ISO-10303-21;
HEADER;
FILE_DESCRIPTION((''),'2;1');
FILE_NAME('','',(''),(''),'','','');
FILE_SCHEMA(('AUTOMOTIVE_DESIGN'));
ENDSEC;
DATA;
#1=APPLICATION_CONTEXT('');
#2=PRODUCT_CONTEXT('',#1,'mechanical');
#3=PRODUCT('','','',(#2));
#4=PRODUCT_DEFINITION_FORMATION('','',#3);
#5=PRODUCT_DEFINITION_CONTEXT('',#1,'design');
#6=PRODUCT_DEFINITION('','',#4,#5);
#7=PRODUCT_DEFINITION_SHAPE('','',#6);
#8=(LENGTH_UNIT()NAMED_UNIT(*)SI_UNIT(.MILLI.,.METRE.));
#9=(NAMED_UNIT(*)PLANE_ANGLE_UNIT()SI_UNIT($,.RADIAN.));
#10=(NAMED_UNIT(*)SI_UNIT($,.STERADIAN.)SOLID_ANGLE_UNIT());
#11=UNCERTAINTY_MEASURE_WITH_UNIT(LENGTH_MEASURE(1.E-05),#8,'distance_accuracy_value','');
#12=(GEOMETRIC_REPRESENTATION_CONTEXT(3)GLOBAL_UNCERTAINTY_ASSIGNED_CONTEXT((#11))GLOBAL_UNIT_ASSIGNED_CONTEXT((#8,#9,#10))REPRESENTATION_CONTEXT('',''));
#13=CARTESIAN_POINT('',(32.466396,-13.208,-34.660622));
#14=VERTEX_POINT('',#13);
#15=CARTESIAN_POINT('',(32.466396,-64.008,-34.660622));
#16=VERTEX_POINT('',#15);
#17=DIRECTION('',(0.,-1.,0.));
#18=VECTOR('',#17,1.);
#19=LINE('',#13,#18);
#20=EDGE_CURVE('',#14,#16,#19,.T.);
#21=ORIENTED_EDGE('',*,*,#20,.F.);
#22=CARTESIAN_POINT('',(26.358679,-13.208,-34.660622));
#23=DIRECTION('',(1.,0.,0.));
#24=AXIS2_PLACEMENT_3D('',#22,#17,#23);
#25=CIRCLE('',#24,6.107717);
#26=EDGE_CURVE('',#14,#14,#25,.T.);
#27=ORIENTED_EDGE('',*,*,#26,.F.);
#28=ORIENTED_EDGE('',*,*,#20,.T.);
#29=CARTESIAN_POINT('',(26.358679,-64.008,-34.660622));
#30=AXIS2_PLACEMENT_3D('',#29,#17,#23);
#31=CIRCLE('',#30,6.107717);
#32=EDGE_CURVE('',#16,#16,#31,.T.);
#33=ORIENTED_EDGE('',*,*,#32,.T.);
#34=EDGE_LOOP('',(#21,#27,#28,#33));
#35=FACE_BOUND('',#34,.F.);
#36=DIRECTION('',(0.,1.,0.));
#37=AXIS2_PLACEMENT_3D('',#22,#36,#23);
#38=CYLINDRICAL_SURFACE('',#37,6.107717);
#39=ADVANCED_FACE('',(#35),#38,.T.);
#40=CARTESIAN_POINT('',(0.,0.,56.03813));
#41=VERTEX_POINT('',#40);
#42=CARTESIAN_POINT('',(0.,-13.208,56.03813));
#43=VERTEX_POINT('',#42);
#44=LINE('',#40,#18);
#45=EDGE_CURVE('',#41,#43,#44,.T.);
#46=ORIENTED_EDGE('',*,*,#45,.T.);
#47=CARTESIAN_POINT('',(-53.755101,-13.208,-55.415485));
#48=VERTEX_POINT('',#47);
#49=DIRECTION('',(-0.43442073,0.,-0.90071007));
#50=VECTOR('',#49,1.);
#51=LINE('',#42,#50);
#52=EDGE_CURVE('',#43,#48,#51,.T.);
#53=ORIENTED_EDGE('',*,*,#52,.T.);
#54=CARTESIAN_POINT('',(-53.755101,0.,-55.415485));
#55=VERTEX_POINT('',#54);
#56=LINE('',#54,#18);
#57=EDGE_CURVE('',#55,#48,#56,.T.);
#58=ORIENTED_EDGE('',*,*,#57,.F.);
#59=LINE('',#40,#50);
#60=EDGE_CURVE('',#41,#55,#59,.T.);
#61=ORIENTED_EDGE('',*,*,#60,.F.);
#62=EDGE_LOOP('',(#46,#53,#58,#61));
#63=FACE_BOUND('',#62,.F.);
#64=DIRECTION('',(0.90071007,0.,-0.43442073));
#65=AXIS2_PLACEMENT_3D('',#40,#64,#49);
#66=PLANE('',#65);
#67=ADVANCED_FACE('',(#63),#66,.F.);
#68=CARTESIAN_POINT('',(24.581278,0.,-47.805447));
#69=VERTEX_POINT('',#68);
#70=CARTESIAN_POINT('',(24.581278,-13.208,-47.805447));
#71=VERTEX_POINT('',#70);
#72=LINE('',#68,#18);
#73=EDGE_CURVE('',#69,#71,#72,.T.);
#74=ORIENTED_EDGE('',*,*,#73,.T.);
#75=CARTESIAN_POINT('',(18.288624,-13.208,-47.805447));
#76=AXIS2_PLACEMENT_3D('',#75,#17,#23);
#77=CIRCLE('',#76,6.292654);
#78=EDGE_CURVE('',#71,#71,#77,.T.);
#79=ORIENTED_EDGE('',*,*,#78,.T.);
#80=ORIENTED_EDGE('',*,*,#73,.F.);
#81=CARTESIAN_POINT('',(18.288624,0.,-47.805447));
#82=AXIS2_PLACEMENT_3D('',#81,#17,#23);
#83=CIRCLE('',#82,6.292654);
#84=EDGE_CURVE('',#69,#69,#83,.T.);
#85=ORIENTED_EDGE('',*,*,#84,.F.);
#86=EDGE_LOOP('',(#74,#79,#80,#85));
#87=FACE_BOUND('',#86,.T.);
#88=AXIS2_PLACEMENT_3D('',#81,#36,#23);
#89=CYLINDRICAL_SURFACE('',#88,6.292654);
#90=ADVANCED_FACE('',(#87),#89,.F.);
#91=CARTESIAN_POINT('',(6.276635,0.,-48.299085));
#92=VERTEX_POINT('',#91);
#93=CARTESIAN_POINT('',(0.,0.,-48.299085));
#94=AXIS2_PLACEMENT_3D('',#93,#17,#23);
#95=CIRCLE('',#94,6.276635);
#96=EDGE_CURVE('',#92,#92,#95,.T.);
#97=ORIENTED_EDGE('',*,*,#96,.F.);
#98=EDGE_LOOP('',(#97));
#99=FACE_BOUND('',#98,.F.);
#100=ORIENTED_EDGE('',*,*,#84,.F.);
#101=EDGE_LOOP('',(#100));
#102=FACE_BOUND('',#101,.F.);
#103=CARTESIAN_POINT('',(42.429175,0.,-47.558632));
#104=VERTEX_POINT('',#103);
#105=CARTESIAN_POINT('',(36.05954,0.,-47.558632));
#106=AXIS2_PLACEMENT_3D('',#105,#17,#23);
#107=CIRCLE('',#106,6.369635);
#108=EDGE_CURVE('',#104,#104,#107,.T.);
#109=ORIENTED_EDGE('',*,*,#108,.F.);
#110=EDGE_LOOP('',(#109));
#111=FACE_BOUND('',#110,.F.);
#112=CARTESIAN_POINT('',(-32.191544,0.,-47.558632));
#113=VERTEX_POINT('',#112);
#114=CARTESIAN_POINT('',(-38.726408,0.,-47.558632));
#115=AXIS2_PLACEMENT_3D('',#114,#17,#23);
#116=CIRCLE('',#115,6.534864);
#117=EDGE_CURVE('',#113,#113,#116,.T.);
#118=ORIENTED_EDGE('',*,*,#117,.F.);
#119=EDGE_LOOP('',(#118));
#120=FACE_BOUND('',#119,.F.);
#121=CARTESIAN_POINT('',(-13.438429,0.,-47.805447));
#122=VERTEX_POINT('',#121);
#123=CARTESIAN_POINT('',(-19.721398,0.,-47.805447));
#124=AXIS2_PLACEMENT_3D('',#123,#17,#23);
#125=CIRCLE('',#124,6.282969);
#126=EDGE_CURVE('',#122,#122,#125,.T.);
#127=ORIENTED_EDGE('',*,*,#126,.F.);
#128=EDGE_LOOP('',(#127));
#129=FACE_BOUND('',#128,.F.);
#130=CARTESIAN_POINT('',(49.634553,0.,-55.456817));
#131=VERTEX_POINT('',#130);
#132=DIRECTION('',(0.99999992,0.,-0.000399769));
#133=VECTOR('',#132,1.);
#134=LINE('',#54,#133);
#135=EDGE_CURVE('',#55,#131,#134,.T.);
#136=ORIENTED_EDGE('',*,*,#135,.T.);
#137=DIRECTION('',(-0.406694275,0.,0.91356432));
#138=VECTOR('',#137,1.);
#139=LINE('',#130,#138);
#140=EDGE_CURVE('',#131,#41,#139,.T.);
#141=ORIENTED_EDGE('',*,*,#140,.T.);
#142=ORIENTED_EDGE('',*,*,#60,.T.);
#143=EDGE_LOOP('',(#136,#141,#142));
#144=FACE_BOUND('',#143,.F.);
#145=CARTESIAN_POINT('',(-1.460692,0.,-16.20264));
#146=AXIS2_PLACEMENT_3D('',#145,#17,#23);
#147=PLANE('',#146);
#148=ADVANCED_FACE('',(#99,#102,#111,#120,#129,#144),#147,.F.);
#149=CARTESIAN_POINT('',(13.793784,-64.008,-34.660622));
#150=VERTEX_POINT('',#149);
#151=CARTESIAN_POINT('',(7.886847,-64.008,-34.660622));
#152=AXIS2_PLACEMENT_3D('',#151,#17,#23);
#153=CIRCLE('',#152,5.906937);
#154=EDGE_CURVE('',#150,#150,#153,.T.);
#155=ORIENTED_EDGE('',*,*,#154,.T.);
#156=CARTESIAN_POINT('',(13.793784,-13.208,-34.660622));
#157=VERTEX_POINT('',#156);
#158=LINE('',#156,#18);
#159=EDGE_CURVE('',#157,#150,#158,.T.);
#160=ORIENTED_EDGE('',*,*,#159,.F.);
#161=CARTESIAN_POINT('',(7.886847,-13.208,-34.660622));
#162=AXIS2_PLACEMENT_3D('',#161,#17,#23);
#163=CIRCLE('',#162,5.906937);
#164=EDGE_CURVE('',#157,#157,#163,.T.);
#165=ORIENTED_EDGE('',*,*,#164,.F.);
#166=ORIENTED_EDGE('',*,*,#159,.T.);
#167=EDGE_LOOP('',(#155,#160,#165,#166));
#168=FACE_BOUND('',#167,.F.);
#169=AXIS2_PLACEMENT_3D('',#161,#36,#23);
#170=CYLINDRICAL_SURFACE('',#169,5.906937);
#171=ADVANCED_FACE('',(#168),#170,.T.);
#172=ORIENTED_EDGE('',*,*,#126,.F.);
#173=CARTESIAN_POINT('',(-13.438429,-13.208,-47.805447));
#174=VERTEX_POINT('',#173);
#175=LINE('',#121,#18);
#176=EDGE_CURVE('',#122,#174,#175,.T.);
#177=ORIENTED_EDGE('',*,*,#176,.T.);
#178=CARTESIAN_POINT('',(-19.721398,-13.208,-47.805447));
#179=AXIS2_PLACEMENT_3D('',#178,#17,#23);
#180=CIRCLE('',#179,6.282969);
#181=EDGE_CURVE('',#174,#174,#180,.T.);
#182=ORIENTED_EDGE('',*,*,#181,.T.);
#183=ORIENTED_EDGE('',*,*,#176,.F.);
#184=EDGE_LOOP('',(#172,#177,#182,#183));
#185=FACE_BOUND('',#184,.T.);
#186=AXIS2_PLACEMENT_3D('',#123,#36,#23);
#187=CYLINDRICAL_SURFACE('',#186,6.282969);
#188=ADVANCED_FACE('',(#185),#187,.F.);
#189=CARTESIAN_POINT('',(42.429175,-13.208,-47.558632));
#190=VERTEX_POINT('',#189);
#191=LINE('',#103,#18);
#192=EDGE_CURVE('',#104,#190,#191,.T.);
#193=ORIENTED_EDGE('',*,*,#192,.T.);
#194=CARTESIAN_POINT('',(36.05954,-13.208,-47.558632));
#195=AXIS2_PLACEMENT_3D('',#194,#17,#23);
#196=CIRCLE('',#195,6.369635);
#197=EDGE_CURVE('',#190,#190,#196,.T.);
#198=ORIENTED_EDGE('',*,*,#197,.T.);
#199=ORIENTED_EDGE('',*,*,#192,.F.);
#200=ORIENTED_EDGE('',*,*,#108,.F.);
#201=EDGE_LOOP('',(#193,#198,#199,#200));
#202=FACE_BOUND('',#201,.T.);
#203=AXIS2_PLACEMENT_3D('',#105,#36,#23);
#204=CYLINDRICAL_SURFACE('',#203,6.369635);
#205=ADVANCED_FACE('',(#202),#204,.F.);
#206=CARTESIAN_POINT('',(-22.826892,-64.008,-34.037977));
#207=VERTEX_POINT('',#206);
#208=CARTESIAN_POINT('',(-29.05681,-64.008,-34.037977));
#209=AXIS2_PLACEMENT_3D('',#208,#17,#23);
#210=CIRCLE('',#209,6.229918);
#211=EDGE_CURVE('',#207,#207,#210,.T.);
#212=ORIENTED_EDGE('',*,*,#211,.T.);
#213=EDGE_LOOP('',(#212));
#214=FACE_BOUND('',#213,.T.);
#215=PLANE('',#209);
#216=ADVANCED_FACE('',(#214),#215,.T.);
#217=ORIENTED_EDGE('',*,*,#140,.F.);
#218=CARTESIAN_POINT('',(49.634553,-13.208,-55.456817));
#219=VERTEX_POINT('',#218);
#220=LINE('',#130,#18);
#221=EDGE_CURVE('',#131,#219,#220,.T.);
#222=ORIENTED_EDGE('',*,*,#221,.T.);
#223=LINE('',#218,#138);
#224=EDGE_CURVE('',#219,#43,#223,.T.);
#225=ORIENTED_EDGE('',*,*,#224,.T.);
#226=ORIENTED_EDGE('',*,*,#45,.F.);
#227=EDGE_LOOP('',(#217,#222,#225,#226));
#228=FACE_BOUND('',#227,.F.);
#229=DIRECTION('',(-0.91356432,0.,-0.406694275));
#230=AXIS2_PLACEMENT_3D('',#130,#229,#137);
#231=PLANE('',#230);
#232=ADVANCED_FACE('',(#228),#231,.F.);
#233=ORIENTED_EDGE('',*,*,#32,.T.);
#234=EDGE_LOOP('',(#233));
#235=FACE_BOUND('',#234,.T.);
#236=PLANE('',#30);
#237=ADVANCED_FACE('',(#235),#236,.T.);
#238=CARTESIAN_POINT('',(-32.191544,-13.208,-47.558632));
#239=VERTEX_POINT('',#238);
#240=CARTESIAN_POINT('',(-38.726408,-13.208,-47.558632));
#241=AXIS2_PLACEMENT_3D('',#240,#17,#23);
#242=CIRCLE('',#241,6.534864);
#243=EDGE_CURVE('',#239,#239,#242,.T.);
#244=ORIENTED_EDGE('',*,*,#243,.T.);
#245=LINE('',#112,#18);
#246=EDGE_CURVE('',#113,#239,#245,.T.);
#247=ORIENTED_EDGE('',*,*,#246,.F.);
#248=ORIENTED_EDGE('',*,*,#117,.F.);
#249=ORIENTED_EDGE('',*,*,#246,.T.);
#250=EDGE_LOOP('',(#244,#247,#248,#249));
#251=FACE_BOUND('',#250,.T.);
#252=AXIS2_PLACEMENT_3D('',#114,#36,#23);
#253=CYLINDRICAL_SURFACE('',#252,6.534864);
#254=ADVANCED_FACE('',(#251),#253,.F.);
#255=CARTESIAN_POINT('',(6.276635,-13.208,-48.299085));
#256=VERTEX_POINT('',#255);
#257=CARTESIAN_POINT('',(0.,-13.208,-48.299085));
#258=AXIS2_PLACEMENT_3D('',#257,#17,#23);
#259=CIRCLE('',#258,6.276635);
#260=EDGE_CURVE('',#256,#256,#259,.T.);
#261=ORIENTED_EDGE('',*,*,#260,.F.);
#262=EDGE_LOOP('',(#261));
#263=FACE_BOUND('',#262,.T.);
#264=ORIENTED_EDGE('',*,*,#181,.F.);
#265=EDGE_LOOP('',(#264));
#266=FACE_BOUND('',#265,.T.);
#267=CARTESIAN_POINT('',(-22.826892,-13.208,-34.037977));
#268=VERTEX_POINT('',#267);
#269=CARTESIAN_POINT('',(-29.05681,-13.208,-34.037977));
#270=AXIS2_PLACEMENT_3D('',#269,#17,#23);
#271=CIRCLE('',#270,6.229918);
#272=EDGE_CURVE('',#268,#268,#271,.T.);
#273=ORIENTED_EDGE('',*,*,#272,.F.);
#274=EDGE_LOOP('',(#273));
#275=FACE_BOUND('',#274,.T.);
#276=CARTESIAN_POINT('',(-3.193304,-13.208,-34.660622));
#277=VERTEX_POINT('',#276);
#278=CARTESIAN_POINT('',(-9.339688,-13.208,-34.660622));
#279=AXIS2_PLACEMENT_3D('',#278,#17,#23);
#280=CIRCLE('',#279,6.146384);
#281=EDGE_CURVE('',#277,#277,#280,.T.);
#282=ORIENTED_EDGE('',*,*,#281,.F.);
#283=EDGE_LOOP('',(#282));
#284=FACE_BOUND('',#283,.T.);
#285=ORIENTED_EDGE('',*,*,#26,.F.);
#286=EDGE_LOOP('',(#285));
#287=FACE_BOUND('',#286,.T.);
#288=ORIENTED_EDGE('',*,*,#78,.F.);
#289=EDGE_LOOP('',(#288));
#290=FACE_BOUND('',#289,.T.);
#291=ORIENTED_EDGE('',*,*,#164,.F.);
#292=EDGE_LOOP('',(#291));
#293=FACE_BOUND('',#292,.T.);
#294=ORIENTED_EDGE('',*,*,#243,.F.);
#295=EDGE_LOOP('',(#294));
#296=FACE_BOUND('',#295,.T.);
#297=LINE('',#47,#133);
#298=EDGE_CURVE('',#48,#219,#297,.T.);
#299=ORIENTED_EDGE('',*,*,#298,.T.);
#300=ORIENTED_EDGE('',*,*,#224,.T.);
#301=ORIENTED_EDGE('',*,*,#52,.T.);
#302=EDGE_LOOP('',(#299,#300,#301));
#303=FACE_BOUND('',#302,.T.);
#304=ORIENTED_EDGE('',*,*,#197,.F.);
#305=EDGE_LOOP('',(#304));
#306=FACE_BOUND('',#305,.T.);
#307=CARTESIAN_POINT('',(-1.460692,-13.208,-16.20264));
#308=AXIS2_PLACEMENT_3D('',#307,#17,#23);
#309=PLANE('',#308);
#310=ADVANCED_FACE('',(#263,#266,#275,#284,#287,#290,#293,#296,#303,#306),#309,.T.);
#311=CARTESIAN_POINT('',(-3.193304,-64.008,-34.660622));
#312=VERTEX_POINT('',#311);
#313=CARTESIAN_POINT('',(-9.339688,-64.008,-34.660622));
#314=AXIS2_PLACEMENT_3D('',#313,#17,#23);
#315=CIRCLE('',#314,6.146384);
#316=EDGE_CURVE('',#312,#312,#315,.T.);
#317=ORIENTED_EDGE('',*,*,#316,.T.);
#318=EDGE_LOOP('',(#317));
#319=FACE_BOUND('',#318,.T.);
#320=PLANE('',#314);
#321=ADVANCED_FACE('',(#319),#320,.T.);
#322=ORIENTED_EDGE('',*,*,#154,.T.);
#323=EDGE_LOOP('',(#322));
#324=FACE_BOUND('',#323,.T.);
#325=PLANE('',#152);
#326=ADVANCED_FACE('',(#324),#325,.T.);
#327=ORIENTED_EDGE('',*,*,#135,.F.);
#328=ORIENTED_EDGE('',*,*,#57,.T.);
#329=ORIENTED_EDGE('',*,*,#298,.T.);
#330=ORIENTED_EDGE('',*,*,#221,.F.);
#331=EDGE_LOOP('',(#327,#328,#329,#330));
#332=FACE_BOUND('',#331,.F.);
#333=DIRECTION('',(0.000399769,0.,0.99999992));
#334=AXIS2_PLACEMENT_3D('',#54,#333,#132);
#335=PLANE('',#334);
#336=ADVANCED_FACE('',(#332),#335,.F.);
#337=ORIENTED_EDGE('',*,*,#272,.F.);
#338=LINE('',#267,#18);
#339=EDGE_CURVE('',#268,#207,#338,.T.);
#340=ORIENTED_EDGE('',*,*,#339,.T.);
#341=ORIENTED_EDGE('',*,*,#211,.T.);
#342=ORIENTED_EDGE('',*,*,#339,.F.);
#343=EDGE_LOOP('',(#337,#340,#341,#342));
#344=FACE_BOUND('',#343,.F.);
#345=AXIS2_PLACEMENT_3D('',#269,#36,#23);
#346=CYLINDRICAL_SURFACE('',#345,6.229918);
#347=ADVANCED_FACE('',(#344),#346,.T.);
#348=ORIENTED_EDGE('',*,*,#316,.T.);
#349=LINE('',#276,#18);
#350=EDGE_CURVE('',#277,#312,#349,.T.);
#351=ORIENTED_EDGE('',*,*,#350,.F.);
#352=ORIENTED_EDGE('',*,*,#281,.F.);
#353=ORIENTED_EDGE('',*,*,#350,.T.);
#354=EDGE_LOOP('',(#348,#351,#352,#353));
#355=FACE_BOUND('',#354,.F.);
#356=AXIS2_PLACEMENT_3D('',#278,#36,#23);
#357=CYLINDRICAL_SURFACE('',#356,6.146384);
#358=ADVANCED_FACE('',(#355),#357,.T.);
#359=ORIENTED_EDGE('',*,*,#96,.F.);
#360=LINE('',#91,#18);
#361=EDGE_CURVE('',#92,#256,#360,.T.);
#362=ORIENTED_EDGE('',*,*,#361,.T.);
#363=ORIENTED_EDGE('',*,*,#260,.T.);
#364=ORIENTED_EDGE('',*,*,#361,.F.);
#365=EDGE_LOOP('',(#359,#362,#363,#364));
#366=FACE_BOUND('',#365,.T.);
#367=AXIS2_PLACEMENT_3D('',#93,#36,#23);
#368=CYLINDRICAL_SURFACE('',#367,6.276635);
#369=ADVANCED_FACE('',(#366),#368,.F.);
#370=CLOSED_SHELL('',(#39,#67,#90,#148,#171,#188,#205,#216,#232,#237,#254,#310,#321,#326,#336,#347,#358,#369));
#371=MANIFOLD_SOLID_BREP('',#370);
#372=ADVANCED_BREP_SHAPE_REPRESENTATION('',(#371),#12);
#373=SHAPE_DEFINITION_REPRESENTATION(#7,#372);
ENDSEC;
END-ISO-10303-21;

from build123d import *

# Parameters (mm, degrees)
F0_R     = 6.534864
F0_R_2   = 6.282969
F0_R_3   = 6.276635
F0_R_4   = 6.292654
F0_R_5   = 6.369635
F1_DEPTH = 13.208
F2_R     = 6.229918
F2_R_2   = 6.146384
F2_R_3   = 5.906937
F2_R_4   = 6.107717
F3_DEPTH = 50.8


with BuildPart() as f1:
    # F0 (on Front) → F1 (new body)
    with BuildSketch(Plane.XZ):
        Polygon((49.634553, -55.456817), (0, 56.03813), (-53.755101, -55.415485), align=None)
        with Locations((-38.726408, -47.558632)):
            Circle(F0_R, mode=Mode.SUBTRACT)
        with Locations((-19.721398, -47.805447)):
            Circle(F0_R_2, mode=Mode.SUBTRACT)
        with Locations((0, -48.299085)):
            Circle(F0_R_3, mode=Mode.SUBTRACT)
        with Locations((18.288624, -47.805447)):
            Circle(F0_R_4, mode=Mode.SUBTRACT)
        with Locations((36.05954, -47.558632)):
            Circle(F0_R_5, mode=Mode.SUBTRACT)
    extrude(amount=F1_DEPTH)

    # F2 (on face) → F3 (join)
    with BuildSketch(Plane.XZ.offset(13.208)):
        with Locations((-29.05681, -34.037977)):
            Circle(F2_R)
        with Locations((-9.339688, -34.660622)):
            Circle(F2_R_2)
        with Locations((7.886847, -34.660622)):
            Circle(F2_R_3)
        with Locations((26.358679, -34.660622)):
            Circle(F2_R_4)
    extrude(amount=F3_DEPTH)


solid = f1.part
